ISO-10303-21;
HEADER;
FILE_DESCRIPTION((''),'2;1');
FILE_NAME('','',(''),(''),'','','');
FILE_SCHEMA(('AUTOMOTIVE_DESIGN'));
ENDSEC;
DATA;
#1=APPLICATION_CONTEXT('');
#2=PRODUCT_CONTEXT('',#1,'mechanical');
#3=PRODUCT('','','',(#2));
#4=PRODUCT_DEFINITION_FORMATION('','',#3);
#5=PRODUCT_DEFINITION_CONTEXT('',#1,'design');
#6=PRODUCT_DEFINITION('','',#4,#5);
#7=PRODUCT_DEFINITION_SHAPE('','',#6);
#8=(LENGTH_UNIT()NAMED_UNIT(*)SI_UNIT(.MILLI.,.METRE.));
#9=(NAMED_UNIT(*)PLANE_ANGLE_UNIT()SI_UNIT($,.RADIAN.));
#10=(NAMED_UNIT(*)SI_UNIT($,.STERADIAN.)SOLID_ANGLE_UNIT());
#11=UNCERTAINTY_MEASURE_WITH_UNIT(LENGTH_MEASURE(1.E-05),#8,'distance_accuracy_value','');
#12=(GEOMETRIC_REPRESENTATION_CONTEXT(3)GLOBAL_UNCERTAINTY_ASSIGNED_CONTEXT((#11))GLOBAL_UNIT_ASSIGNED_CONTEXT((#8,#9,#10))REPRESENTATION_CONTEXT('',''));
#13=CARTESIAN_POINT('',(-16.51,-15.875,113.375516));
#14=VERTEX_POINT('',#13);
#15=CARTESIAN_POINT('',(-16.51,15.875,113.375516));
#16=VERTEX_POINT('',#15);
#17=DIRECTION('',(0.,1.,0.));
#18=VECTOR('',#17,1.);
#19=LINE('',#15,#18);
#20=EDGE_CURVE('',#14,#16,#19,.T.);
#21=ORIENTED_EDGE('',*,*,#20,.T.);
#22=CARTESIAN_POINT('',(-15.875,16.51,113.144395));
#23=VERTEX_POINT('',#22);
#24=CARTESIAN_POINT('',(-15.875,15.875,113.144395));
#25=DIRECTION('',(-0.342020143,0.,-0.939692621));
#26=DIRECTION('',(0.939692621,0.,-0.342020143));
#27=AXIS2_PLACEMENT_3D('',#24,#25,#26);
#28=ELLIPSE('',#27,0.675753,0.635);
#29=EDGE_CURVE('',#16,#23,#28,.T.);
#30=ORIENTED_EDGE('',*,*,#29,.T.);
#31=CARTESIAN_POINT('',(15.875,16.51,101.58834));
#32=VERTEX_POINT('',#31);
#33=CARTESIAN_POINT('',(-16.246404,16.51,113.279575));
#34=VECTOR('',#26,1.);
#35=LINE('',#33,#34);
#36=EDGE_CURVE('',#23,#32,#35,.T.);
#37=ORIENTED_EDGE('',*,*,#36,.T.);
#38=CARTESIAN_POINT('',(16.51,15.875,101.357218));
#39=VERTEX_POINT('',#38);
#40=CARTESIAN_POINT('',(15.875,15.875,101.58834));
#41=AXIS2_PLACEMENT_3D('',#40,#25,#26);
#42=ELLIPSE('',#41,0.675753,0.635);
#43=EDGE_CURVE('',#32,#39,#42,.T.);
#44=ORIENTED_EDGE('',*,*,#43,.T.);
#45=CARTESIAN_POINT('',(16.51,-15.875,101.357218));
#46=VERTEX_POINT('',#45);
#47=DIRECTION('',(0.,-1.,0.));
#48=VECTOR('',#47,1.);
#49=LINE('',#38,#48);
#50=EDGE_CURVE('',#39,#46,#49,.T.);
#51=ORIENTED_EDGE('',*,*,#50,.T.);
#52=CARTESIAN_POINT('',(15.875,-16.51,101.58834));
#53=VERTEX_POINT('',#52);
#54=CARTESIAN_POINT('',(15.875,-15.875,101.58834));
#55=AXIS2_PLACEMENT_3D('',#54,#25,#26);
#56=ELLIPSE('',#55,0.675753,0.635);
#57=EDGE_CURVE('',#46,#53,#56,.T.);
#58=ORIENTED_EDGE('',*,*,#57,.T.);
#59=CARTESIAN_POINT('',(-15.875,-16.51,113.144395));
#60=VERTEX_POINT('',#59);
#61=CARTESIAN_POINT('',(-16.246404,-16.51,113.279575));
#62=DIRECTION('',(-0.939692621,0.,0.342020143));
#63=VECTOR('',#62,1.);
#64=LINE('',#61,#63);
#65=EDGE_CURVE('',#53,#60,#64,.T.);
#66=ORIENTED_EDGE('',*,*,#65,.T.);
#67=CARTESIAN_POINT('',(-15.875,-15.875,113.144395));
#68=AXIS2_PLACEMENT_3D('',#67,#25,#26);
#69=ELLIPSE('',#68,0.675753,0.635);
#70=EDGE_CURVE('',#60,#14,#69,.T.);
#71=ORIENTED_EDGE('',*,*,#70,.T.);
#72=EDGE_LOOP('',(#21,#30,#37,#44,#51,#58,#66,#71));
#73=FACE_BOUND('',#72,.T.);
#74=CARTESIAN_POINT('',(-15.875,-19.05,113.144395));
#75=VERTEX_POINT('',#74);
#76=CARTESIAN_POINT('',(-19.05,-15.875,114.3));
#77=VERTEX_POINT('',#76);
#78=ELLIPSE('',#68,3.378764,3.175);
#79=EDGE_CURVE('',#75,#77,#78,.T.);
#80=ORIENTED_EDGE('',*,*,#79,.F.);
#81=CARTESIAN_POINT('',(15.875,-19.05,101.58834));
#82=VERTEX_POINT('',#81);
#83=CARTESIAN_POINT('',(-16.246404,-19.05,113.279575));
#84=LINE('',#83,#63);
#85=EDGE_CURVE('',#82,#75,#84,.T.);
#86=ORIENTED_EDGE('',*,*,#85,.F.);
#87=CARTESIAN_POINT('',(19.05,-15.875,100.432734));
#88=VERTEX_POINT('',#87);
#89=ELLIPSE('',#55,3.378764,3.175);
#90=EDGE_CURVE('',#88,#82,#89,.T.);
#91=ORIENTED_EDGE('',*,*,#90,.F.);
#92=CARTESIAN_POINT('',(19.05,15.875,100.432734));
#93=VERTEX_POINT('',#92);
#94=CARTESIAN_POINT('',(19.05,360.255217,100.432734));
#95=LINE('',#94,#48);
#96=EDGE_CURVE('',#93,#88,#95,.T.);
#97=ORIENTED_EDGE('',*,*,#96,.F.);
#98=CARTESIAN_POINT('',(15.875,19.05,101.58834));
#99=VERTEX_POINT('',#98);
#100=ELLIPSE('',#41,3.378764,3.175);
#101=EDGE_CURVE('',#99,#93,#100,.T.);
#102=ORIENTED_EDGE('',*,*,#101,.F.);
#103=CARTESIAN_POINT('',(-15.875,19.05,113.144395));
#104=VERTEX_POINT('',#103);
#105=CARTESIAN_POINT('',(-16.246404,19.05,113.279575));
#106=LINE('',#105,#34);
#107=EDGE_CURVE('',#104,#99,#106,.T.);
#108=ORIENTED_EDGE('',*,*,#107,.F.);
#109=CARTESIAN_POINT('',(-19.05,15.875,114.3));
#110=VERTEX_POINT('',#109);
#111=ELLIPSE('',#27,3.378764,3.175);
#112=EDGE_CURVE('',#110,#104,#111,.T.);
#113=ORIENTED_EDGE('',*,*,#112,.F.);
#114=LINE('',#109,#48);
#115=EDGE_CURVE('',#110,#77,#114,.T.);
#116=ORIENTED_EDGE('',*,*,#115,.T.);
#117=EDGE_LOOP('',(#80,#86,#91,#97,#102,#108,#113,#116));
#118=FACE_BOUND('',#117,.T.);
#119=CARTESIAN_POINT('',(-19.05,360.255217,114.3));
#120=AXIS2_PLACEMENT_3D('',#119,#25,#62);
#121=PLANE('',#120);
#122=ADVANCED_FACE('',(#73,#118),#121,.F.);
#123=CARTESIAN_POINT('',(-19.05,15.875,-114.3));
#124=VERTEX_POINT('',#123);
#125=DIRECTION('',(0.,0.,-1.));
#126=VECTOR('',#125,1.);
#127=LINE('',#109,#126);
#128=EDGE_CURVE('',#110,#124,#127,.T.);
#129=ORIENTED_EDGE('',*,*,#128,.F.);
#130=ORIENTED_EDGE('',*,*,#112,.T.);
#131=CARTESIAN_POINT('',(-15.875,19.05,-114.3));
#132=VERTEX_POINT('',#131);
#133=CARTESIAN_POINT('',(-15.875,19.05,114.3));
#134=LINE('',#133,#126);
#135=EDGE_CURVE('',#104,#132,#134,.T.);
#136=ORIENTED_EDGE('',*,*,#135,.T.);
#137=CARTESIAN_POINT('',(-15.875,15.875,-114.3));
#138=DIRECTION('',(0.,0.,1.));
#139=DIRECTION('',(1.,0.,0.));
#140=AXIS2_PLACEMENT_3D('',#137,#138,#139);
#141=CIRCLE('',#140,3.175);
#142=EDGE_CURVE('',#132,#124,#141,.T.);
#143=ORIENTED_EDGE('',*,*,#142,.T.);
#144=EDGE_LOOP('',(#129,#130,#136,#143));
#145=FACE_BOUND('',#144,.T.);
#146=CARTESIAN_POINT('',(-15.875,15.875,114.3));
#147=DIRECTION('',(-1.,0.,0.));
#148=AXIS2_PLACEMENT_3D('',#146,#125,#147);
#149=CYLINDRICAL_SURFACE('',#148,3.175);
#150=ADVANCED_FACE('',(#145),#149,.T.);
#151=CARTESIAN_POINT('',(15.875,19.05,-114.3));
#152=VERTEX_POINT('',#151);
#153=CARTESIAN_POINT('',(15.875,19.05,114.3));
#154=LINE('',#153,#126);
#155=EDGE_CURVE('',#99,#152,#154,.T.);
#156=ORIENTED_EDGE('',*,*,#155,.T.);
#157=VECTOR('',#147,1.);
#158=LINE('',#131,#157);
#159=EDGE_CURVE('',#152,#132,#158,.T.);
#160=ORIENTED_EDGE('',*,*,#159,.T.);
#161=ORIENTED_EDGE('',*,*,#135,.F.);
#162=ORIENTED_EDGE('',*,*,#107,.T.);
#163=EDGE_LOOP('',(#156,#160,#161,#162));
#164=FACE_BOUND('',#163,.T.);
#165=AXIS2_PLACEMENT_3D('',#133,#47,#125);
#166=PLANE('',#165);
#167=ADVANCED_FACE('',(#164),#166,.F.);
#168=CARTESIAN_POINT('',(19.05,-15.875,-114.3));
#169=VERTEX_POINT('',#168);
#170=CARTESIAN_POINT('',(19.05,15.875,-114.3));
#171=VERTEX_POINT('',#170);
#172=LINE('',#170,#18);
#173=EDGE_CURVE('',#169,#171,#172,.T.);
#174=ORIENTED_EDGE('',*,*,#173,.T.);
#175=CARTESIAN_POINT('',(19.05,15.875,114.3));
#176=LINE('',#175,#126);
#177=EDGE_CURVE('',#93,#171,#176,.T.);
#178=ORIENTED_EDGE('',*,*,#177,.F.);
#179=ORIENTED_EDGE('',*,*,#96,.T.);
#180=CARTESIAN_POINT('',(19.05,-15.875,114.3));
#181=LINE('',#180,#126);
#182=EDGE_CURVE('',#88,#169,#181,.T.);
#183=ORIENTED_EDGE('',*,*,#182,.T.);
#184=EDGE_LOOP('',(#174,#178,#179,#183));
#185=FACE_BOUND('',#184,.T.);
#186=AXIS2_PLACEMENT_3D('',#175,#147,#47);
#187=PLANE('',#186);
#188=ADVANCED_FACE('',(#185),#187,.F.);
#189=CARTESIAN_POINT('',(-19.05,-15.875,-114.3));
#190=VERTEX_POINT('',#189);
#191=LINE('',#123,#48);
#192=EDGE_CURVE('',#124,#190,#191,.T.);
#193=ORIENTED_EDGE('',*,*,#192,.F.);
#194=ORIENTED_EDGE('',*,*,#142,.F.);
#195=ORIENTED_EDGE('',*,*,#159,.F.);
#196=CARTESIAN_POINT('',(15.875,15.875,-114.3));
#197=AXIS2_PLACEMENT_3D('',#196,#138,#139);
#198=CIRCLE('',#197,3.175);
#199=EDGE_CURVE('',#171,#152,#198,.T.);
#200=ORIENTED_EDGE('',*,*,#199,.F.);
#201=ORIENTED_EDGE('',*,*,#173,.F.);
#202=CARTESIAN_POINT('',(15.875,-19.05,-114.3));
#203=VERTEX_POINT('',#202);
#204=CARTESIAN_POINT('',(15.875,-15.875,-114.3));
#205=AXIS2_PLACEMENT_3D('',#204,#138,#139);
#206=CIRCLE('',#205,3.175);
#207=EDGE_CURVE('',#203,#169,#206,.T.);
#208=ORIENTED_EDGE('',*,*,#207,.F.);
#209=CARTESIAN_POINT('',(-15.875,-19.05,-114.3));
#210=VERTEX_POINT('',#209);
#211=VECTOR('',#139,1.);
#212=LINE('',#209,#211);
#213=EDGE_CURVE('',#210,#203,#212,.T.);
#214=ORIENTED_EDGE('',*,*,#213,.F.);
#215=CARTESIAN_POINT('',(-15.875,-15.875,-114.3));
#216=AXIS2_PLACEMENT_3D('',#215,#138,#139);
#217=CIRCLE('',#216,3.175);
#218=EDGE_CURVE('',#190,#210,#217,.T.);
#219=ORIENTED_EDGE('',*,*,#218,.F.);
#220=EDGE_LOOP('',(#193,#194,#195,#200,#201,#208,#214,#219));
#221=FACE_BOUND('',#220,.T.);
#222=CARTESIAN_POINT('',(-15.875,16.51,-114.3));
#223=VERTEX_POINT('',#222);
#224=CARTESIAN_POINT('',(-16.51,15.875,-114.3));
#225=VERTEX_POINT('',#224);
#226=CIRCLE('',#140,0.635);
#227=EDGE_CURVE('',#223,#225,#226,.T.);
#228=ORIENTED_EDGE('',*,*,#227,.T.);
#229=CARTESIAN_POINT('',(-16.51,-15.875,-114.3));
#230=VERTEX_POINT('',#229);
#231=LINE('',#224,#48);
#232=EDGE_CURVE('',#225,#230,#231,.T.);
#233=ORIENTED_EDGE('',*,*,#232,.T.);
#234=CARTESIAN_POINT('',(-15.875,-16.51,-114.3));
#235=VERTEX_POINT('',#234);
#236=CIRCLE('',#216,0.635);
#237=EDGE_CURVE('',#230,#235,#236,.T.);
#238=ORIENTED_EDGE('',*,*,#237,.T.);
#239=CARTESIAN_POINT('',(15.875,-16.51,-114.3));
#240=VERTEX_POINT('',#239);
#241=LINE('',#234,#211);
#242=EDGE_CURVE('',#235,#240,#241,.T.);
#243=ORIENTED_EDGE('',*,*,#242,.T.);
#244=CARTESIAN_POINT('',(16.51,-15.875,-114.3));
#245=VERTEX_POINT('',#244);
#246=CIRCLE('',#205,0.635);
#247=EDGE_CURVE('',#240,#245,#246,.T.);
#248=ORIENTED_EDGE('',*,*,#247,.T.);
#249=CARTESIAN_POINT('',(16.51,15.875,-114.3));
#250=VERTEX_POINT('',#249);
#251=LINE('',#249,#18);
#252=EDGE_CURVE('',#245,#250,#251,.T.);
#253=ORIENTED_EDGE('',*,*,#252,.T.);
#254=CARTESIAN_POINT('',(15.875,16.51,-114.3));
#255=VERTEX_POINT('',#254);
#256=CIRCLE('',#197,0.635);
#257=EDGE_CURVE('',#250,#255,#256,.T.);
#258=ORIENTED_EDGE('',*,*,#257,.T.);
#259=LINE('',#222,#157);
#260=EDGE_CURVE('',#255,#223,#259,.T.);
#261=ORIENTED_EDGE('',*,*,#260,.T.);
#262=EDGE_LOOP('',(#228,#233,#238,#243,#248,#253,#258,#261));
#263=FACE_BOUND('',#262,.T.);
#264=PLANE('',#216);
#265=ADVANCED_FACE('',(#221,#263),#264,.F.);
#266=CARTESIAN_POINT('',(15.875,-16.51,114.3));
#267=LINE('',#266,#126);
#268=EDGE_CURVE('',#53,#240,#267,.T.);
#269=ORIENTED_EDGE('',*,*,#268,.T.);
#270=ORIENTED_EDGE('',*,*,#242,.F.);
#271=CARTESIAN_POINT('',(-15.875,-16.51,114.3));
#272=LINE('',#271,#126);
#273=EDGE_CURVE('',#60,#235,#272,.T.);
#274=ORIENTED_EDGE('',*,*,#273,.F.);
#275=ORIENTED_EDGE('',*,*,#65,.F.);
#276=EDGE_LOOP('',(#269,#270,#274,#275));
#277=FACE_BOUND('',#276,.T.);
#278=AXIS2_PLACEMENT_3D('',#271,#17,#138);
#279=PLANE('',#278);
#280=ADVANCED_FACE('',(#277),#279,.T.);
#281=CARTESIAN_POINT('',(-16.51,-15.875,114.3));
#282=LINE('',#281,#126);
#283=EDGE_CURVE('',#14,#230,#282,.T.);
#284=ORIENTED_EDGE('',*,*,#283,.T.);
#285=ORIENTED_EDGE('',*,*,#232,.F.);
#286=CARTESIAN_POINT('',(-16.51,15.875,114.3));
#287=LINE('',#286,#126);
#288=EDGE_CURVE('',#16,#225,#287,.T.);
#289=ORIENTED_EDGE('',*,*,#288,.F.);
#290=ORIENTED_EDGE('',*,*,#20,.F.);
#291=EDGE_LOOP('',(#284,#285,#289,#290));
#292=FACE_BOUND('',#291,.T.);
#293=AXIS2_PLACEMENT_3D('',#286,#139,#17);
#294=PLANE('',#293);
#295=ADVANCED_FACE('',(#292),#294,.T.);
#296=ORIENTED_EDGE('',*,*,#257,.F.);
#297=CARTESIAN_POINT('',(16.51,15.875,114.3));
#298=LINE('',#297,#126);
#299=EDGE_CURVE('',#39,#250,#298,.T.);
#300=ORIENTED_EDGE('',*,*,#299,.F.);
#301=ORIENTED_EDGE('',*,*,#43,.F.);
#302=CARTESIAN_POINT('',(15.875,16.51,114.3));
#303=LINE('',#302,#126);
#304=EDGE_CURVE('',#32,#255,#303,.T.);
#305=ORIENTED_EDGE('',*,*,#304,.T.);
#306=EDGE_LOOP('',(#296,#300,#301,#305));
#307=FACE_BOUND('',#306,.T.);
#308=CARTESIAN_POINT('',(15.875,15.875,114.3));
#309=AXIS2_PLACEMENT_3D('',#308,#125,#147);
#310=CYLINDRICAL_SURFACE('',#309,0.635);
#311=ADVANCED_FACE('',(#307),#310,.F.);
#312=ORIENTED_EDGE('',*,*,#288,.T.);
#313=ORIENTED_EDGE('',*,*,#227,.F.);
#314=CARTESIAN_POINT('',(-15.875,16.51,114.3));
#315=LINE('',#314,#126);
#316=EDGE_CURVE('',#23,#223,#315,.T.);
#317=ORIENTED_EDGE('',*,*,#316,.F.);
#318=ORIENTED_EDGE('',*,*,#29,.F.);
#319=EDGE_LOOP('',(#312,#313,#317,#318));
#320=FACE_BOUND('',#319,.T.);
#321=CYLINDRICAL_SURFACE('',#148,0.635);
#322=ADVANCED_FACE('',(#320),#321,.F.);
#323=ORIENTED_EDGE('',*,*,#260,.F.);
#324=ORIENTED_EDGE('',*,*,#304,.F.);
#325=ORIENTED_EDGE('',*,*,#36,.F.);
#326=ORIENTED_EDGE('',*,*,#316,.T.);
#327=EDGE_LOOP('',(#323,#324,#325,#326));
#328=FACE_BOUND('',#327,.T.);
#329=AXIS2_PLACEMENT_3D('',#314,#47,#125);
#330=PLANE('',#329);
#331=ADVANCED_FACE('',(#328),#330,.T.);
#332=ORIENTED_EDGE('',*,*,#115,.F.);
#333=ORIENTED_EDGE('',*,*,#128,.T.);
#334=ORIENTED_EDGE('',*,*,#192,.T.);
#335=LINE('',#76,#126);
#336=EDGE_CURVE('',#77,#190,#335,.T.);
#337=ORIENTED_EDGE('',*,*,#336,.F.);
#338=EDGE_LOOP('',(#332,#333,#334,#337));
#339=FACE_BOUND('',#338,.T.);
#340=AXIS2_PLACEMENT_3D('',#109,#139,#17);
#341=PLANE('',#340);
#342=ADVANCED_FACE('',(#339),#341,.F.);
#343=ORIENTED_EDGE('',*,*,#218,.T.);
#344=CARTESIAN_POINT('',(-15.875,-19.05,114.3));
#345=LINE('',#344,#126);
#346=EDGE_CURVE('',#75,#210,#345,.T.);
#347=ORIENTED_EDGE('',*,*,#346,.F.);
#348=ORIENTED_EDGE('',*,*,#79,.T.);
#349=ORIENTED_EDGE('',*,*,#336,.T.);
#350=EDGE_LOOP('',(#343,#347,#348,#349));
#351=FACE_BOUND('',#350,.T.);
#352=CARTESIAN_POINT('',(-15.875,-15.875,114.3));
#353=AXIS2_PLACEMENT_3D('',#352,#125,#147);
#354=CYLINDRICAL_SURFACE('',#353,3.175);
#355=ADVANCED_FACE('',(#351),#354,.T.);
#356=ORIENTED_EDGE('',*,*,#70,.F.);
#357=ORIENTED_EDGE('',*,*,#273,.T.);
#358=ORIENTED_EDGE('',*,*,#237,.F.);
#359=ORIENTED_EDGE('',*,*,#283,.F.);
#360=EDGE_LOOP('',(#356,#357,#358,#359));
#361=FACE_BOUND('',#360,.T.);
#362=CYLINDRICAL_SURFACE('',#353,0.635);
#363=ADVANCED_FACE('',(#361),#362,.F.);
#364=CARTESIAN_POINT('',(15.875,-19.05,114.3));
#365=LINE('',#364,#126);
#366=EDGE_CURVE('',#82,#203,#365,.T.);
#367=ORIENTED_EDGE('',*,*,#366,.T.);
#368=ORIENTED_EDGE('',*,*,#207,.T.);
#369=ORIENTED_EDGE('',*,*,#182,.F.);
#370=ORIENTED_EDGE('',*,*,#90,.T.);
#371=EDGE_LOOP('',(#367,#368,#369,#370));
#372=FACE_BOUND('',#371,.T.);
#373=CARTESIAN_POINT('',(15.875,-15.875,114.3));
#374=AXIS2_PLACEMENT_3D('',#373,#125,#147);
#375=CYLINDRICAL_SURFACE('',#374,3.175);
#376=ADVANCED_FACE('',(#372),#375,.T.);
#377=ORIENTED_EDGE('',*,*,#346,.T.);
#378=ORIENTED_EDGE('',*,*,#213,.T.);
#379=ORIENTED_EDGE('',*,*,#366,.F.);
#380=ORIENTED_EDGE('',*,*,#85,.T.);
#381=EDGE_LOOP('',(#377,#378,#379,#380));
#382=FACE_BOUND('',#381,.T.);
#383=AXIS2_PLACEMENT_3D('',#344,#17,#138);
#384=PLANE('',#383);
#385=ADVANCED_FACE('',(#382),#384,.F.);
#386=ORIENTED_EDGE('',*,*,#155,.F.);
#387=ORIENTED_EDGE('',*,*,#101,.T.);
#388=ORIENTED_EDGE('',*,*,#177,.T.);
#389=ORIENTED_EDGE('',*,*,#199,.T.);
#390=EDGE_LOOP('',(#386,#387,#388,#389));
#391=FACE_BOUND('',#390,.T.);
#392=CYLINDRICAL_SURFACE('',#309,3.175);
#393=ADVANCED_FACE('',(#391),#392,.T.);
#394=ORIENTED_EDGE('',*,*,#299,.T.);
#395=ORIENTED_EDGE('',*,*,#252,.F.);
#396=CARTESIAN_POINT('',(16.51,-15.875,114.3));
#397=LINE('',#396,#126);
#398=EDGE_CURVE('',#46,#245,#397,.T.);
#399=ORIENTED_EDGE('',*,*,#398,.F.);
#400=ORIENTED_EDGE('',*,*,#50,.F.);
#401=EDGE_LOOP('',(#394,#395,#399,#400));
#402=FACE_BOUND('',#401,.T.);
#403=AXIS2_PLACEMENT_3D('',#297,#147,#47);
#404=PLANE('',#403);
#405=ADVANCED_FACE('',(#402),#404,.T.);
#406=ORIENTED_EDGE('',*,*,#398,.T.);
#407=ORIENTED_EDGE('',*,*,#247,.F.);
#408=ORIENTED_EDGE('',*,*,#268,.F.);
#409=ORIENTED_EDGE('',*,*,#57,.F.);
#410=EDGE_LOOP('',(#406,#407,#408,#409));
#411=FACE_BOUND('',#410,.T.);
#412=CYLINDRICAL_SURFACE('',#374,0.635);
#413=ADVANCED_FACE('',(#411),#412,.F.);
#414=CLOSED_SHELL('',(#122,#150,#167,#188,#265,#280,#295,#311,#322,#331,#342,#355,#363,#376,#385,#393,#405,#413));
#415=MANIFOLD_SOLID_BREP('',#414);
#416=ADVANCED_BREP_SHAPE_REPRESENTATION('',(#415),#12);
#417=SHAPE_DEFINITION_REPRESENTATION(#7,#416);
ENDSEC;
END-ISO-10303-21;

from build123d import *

# Parameters (mm, degrees)
EXTRUDE_THIN1_DEPTH     = 114.3
CUT_EXTRUDE1_DEPTH      = 1
CUT_EXTRUDE1_DEPTH_BACK = 39.1


with BuildPart() as part:
    # Sketch1 → Extrude-Thin1 (new body, symmetric)
    with BuildSketch(Plane.XY):
        with BuildLine():
            Line((-15.875, 19.05), (15.875, 19.05))
            ThreePointArc((15.875, 19.05), (18.12006403, 18.12006403), (19.05, 15.875))
            Line((19.05, 15.875), (19.05, -15.875))
            ThreePointArc((19.05, -15.875), (18.12006403, -18.12006403), (15.875, -19.05))
            Line((15.875, -19.05), (-15.875, -19.05))
            ThreePointArc((-15.875, -19.05), (-18.12006403, -18.12006403), (-19.05, -15.875))
            Line((-19.05, -15.875), (-19.05, 15.875))
            ThreePointArc((-19.05, 15.875), (-18.12006403, 18.12006403), (-15.875, 19.05))
        make_face()
        with BuildLine():
            Line((-15.875, 16.51), (15.875, 16.51))
            ThreePointArc((15.875, 16.51), (16.324012806, 16.324012806), (16.51, 15.875))
            Line((16.51, 15.875), (16.51, -15.875))
            ThreePointArc((16.51, -15.875), (16.324012806, -16.324012806), (15.875, -16.51))
            Line((15.875, -16.51), (-15.875, -16.51))
            ThreePointArc((-15.875, -16.51), (-16.324012806, -16.324012806), (-16.51, -15.875))
            Line((-16.51, -15.875), (-16.51, 15.875))
            ThreePointArc((-16.51, 15.875), (-16.324012806, 16.324012806), (-15.875, 16.51))
        make_face(mode=Mode.SUBTRACT)
    extrude(amount=EXTRUDE_THIN1_DEPTH, both=True)

    # Sketch3 → Cut-Extrude1 (cut, two sides)
    with BuildSketch(Plane(origin=(0, 19.05, 0), x_dir=(1, 0, 0), z_dir=(0, 1, 0))) as cut_extrude1_sk:
        Polygon((-464.000568463, -276.24876264), (-19.05, -114.3), (19.05, -100.432734074), (464.000568463, 61.516028566), (787.898093744, -828.38510836), (-140.103043182, -1166.149899566), align=None)
    extrude(amount=CUT_EXTRUDE1_DEPTH, mode=Mode.SUBTRACT)
    extrude(cut_extrude1_sk.sketch, amount=-CUT_EXTRUDE1_DEPTH_BACK, mode=Mode.SUBTRACT)


solid = part.part
